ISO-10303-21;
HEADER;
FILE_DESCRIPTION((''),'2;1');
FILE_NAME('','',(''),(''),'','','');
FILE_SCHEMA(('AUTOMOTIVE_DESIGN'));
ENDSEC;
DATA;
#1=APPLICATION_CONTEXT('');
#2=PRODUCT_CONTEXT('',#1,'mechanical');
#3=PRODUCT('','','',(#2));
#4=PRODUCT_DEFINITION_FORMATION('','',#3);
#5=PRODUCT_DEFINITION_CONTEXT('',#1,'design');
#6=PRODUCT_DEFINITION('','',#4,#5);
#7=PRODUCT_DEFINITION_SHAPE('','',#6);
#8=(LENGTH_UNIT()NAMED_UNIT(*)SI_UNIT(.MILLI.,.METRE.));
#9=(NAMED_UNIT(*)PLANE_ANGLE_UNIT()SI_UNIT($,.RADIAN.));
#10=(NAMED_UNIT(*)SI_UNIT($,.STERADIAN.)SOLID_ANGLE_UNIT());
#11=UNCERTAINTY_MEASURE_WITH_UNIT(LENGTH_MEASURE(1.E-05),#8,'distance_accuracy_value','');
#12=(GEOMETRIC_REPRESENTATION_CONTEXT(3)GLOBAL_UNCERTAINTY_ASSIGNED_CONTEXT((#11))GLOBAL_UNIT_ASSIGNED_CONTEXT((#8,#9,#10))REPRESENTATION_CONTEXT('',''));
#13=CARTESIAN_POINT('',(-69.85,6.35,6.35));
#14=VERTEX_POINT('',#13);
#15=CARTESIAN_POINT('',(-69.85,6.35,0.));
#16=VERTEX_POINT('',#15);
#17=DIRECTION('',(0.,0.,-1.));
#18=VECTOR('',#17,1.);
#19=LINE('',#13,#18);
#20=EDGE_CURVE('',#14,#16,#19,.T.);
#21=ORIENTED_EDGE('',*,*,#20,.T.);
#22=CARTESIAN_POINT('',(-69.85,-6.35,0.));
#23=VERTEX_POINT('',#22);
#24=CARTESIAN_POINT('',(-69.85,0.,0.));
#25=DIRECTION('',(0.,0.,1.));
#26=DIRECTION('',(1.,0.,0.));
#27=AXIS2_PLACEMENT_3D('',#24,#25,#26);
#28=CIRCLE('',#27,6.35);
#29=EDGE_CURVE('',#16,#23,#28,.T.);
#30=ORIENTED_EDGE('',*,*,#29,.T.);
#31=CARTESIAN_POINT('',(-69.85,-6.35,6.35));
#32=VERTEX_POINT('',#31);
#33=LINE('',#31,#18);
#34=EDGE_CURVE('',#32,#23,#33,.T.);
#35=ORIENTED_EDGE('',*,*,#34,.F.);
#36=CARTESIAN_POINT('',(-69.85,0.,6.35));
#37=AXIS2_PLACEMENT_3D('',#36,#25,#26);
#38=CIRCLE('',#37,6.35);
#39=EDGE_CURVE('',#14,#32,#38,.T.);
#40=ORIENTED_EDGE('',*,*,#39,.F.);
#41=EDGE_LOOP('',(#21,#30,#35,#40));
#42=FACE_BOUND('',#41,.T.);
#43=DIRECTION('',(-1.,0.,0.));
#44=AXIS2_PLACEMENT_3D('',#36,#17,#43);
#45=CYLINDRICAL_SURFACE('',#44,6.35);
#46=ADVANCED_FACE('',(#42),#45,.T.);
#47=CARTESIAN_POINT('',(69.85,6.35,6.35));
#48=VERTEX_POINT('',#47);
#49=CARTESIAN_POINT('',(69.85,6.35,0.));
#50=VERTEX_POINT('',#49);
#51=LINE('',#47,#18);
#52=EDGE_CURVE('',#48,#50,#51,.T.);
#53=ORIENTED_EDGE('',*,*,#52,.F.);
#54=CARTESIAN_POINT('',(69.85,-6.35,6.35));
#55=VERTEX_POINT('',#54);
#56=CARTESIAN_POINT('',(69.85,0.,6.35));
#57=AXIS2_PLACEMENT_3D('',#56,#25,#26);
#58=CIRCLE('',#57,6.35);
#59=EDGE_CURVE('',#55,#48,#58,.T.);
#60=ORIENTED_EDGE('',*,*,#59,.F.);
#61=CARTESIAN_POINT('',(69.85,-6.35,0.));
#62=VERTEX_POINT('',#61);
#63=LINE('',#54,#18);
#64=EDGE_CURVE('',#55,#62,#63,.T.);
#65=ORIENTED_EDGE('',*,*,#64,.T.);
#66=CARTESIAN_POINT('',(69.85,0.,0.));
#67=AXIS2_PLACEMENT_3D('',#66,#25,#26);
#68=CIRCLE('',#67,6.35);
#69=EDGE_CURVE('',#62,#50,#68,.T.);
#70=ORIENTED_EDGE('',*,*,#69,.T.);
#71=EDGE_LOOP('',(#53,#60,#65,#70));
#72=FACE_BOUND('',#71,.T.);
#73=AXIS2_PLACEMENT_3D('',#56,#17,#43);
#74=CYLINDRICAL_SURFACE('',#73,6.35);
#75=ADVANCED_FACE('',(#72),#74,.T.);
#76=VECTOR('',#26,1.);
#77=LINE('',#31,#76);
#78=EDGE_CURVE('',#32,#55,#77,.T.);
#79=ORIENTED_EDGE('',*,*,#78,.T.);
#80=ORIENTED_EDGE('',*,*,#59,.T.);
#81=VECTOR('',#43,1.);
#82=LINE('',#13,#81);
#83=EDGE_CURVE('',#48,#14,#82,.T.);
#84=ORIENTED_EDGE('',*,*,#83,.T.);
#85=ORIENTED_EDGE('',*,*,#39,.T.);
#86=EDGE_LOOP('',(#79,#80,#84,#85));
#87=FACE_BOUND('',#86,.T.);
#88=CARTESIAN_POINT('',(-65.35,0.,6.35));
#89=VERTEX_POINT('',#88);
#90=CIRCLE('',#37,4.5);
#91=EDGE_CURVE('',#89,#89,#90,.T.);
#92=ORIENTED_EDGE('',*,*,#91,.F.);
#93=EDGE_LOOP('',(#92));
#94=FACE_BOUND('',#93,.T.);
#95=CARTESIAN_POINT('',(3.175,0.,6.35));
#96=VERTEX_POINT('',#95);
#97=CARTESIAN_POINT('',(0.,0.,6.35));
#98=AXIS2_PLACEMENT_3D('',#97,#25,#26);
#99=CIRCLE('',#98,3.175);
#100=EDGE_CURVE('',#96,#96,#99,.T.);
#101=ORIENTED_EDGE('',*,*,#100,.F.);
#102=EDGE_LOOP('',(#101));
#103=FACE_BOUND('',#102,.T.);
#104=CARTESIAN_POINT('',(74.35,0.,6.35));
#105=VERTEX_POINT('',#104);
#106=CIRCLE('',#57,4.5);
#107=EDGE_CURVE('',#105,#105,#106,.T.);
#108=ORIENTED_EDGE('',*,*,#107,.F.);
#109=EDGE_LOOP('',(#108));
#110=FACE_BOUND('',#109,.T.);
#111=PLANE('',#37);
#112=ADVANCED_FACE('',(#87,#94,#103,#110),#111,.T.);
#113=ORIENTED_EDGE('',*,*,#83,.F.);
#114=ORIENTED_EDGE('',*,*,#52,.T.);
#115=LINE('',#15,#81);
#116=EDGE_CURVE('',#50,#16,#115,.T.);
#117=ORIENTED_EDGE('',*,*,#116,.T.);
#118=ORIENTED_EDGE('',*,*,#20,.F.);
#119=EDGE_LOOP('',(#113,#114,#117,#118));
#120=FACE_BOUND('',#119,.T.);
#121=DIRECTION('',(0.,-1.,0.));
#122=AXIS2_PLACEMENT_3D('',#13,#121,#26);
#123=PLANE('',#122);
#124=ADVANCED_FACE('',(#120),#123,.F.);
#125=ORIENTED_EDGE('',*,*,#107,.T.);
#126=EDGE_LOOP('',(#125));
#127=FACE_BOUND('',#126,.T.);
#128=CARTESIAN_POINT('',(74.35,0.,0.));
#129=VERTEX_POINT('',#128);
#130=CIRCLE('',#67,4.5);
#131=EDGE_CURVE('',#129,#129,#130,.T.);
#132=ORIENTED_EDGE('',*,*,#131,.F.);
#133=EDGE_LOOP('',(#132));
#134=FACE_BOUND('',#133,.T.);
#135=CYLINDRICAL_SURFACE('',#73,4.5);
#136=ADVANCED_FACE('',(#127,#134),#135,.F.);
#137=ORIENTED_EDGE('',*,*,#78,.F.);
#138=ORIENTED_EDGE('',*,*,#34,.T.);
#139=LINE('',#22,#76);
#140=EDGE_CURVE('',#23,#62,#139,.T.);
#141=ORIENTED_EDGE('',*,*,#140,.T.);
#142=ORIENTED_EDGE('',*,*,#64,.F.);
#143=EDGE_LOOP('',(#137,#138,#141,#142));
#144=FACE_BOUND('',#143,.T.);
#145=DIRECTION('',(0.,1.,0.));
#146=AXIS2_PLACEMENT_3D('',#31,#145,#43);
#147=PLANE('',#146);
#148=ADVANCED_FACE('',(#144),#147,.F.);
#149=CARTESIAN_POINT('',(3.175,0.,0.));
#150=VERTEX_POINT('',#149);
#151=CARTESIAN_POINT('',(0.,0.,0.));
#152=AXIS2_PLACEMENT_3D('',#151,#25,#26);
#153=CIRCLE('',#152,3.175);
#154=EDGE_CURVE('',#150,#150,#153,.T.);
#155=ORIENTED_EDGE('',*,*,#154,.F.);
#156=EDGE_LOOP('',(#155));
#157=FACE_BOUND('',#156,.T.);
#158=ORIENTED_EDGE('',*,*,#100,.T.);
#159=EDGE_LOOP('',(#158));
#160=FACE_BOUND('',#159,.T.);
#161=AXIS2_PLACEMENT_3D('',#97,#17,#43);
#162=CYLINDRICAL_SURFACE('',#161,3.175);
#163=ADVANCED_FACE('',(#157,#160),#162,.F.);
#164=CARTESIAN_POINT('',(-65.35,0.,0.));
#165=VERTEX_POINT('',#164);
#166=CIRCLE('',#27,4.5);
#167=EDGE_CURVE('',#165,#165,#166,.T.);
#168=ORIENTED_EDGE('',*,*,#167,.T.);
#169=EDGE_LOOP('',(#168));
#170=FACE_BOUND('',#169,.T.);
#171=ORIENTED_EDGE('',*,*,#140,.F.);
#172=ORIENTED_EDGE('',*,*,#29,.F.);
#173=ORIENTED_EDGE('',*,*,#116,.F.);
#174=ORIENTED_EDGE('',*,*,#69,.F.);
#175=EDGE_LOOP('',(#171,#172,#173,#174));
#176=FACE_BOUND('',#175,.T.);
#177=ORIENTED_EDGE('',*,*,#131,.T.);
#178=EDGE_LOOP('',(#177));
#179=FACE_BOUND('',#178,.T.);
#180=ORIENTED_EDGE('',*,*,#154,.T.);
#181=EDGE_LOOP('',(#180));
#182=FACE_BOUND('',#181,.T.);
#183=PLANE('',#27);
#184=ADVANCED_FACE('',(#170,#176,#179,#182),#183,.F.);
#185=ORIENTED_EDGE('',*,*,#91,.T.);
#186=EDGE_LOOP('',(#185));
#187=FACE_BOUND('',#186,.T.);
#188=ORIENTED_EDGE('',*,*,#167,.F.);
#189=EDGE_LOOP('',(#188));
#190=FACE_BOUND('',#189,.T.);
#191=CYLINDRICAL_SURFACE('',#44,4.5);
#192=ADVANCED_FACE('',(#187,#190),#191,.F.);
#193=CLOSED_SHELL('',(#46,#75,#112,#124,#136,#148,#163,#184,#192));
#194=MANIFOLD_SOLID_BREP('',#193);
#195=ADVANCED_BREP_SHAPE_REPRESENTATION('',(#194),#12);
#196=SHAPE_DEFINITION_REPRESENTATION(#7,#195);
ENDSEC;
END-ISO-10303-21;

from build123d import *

# Parameters (mm, degrees)
SKETCH1_R           = 4.5
SKETCH1_R_2         = 3.175
BOSS_EXTRUDE1_DEPTH = 6.35


with BuildPart() as part:
    # Sketch1 → Boss-Extrude1 (new body)
    with BuildSketch(Plane.XY):
        with BuildLine():
            Line((-69.85, 6.35), (69.85, 6.35))
            ThreePointArc((69.85, 6.35), (76.2, 0), (69.85, -6.35))
            Line((69.85, -6.35), (-69.85, -6.35))
            ThreePointArc((-69.85, -6.35), (-76.2, 0), (-69.85, 6.35))
        make_face()
        with Locations((-69.85, 0)):
            Circle(SKETCH1_R, mode=Mode.SUBTRACT)
        with Locations((69.85, 0)):
            Circle(SKETCH1_R, mode=Mode.SUBTRACT)
        Circle(SKETCH1_R_2, mode=Mode.SUBTRACT)
    extrude(amount=BOSS_EXTRUDE1_DEPTH)


solid = part.part
